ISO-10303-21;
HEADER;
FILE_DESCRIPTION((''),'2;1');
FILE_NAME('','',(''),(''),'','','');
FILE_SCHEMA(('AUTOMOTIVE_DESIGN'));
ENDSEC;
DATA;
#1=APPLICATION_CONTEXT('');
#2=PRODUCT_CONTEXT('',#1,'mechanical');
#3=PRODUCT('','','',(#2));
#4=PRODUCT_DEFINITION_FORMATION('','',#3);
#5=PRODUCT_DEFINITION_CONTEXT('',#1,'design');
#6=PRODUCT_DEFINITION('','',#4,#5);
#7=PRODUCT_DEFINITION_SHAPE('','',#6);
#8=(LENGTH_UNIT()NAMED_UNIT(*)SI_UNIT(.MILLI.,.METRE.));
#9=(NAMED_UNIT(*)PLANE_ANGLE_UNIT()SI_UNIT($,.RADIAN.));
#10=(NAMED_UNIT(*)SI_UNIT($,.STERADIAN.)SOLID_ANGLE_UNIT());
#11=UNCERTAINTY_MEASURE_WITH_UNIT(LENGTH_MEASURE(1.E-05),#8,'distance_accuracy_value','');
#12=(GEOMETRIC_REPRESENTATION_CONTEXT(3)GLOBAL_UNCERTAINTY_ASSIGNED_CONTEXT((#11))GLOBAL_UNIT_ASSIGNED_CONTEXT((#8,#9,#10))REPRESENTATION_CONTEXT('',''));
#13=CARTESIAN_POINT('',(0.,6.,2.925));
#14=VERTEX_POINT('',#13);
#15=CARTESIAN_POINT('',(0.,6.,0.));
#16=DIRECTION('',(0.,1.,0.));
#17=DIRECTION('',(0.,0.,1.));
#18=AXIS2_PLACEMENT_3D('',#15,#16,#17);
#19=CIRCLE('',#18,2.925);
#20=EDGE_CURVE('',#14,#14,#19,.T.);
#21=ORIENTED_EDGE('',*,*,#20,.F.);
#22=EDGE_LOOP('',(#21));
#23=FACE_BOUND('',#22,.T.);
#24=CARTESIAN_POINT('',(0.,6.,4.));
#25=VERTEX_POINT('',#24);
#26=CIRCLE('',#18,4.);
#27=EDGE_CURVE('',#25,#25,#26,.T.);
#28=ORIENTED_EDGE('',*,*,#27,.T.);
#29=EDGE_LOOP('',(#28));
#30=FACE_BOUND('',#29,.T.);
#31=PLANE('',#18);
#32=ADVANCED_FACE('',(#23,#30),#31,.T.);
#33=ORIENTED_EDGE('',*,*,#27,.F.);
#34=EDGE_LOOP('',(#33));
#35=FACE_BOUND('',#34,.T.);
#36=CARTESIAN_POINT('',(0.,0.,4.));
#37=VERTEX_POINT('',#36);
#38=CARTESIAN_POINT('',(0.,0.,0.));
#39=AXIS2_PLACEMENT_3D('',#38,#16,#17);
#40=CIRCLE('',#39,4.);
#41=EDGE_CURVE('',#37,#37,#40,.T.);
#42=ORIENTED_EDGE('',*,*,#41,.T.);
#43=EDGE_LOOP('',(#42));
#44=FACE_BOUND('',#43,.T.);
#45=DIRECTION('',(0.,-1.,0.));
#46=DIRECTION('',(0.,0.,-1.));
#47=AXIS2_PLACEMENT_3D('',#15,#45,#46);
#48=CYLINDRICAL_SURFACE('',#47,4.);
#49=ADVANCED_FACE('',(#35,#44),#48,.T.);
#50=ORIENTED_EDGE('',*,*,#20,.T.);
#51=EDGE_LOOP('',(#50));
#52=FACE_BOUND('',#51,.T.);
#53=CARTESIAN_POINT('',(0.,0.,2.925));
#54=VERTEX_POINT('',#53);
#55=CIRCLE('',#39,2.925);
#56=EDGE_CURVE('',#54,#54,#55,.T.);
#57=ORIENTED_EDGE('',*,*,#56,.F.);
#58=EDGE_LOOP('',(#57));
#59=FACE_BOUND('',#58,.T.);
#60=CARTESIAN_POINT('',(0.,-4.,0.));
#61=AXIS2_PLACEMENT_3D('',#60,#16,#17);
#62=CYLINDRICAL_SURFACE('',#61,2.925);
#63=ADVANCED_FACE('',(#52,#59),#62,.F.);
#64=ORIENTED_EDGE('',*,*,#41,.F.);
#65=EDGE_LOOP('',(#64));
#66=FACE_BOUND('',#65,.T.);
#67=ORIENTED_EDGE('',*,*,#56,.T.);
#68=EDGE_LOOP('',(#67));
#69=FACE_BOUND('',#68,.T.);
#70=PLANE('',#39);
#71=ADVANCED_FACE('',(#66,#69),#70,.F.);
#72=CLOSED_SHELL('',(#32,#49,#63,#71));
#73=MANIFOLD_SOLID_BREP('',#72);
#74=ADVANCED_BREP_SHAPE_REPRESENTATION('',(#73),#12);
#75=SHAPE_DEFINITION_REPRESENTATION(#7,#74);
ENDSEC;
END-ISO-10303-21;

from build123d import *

# Parameters (mm, degrees)
SKETCH1_R           = 4
BOSS_EXTRUDE1_DEPTH = 6
SKETCH2_R           = 2.925
CUT_EXTRUDE1_DEPTH  = 10


with BuildPart() as part:
    # Sketch1 → Boss-Extrude1 (new body)
    with BuildSketch(Plane(origin=(0, 0, 0), x_dir=(1, 0, 0), z_dir=(0, 1, 0))):
        with Locations(Location((0, 0, 0), (0, 0, 270))):
            Circle(SKETCH1_R)
    extrude(amount=BOSS_EXTRUDE1_DEPTH)

    # Sketch2 → Cut-Extrude1 (cut)
    with BuildSketch(Plane(origin=(0, 6, 0), x_dir=(1, 0, 0), z_dir=(0, 1, 0))):
        with Locations(Location((0, 0, 0), (0, 0, 270))):
            Circle(SKETCH2_R)
    extrude(amount=-CUT_EXTRUDE1_DEPTH, mode=Mode.SUBTRACT)


solid = part.part
